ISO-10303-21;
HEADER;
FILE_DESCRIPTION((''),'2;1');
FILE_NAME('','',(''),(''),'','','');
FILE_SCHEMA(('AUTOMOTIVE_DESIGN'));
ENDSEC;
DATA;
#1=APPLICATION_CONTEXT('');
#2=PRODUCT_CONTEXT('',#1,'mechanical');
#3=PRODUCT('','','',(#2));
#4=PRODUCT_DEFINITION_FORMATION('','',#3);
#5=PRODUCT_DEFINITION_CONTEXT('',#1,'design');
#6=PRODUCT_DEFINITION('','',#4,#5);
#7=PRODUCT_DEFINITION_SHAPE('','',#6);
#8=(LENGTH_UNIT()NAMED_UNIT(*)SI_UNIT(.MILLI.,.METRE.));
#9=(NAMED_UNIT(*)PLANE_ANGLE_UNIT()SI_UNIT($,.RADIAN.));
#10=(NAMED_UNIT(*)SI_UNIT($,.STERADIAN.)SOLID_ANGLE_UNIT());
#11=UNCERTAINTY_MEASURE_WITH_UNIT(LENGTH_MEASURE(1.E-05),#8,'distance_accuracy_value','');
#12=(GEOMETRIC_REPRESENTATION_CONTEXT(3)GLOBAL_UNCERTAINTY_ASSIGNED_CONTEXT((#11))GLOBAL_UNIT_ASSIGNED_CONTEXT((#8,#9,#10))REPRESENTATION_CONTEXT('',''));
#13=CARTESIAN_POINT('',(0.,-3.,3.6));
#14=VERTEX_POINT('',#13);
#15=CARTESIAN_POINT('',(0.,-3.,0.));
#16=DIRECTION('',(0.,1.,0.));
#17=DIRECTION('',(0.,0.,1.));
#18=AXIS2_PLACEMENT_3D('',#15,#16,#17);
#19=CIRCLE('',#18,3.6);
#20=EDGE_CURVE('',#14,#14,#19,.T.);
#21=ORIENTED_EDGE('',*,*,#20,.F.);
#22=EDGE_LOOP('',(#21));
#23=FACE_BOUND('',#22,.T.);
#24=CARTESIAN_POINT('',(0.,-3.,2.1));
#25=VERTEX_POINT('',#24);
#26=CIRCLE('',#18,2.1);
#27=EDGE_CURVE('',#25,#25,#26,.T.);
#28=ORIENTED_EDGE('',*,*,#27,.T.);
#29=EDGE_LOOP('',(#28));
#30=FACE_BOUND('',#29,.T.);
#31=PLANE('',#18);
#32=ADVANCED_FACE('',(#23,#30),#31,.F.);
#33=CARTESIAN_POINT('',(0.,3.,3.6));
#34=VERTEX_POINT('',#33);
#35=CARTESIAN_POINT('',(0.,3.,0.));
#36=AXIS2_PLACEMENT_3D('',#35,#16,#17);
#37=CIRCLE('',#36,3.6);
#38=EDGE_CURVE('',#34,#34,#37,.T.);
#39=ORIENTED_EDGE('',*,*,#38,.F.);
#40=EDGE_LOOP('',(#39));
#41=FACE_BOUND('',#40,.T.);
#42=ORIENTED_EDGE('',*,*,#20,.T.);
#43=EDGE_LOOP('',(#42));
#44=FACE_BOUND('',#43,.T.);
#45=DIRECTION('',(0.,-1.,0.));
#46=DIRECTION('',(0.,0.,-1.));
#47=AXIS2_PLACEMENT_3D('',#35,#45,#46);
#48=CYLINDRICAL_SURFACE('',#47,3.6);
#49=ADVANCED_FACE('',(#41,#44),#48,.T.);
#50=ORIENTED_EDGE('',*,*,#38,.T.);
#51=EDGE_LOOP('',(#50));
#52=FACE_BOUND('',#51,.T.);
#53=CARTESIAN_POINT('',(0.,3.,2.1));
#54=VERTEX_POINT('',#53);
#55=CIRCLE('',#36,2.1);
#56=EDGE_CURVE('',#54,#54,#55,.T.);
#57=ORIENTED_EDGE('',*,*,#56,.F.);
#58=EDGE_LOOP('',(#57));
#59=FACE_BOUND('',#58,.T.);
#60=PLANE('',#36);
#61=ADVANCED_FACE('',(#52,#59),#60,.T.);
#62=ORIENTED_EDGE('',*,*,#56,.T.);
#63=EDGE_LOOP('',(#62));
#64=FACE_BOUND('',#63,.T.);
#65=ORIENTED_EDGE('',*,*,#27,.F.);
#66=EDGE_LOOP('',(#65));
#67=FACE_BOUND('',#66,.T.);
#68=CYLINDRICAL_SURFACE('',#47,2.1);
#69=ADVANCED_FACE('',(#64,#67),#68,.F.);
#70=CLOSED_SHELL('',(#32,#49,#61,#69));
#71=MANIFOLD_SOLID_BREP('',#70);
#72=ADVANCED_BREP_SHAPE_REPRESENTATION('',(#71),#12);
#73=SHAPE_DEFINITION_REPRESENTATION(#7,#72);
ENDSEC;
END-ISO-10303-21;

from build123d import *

# Parameters (mm, degrees)
SKETCH_1_R      = 3.6
SKETCH_1_R_2    = 2.1
EXTRUDE_1_DEPTH = 3


with BuildPart() as part:
    # 草图1 → 凸台-拉伸1 (new, symmetric)
    with BuildSketch(Plane(origin=(0, 0, 0), x_dir=(1, 0, 0), z_dir=(0, 1, 0))):
        with Locations(Location((0, 0, 0), (0, 0, 270))):
            Circle(SKETCH_1_R)
        with Locations(Location((0, 0, 0), (0, 0, 270))):
            Circle(SKETCH_1_R_2, mode=Mode.SUBTRACT)
    extrude(amount=EXTRUDE_1_DEPTH, both=True)


solid = part.part
